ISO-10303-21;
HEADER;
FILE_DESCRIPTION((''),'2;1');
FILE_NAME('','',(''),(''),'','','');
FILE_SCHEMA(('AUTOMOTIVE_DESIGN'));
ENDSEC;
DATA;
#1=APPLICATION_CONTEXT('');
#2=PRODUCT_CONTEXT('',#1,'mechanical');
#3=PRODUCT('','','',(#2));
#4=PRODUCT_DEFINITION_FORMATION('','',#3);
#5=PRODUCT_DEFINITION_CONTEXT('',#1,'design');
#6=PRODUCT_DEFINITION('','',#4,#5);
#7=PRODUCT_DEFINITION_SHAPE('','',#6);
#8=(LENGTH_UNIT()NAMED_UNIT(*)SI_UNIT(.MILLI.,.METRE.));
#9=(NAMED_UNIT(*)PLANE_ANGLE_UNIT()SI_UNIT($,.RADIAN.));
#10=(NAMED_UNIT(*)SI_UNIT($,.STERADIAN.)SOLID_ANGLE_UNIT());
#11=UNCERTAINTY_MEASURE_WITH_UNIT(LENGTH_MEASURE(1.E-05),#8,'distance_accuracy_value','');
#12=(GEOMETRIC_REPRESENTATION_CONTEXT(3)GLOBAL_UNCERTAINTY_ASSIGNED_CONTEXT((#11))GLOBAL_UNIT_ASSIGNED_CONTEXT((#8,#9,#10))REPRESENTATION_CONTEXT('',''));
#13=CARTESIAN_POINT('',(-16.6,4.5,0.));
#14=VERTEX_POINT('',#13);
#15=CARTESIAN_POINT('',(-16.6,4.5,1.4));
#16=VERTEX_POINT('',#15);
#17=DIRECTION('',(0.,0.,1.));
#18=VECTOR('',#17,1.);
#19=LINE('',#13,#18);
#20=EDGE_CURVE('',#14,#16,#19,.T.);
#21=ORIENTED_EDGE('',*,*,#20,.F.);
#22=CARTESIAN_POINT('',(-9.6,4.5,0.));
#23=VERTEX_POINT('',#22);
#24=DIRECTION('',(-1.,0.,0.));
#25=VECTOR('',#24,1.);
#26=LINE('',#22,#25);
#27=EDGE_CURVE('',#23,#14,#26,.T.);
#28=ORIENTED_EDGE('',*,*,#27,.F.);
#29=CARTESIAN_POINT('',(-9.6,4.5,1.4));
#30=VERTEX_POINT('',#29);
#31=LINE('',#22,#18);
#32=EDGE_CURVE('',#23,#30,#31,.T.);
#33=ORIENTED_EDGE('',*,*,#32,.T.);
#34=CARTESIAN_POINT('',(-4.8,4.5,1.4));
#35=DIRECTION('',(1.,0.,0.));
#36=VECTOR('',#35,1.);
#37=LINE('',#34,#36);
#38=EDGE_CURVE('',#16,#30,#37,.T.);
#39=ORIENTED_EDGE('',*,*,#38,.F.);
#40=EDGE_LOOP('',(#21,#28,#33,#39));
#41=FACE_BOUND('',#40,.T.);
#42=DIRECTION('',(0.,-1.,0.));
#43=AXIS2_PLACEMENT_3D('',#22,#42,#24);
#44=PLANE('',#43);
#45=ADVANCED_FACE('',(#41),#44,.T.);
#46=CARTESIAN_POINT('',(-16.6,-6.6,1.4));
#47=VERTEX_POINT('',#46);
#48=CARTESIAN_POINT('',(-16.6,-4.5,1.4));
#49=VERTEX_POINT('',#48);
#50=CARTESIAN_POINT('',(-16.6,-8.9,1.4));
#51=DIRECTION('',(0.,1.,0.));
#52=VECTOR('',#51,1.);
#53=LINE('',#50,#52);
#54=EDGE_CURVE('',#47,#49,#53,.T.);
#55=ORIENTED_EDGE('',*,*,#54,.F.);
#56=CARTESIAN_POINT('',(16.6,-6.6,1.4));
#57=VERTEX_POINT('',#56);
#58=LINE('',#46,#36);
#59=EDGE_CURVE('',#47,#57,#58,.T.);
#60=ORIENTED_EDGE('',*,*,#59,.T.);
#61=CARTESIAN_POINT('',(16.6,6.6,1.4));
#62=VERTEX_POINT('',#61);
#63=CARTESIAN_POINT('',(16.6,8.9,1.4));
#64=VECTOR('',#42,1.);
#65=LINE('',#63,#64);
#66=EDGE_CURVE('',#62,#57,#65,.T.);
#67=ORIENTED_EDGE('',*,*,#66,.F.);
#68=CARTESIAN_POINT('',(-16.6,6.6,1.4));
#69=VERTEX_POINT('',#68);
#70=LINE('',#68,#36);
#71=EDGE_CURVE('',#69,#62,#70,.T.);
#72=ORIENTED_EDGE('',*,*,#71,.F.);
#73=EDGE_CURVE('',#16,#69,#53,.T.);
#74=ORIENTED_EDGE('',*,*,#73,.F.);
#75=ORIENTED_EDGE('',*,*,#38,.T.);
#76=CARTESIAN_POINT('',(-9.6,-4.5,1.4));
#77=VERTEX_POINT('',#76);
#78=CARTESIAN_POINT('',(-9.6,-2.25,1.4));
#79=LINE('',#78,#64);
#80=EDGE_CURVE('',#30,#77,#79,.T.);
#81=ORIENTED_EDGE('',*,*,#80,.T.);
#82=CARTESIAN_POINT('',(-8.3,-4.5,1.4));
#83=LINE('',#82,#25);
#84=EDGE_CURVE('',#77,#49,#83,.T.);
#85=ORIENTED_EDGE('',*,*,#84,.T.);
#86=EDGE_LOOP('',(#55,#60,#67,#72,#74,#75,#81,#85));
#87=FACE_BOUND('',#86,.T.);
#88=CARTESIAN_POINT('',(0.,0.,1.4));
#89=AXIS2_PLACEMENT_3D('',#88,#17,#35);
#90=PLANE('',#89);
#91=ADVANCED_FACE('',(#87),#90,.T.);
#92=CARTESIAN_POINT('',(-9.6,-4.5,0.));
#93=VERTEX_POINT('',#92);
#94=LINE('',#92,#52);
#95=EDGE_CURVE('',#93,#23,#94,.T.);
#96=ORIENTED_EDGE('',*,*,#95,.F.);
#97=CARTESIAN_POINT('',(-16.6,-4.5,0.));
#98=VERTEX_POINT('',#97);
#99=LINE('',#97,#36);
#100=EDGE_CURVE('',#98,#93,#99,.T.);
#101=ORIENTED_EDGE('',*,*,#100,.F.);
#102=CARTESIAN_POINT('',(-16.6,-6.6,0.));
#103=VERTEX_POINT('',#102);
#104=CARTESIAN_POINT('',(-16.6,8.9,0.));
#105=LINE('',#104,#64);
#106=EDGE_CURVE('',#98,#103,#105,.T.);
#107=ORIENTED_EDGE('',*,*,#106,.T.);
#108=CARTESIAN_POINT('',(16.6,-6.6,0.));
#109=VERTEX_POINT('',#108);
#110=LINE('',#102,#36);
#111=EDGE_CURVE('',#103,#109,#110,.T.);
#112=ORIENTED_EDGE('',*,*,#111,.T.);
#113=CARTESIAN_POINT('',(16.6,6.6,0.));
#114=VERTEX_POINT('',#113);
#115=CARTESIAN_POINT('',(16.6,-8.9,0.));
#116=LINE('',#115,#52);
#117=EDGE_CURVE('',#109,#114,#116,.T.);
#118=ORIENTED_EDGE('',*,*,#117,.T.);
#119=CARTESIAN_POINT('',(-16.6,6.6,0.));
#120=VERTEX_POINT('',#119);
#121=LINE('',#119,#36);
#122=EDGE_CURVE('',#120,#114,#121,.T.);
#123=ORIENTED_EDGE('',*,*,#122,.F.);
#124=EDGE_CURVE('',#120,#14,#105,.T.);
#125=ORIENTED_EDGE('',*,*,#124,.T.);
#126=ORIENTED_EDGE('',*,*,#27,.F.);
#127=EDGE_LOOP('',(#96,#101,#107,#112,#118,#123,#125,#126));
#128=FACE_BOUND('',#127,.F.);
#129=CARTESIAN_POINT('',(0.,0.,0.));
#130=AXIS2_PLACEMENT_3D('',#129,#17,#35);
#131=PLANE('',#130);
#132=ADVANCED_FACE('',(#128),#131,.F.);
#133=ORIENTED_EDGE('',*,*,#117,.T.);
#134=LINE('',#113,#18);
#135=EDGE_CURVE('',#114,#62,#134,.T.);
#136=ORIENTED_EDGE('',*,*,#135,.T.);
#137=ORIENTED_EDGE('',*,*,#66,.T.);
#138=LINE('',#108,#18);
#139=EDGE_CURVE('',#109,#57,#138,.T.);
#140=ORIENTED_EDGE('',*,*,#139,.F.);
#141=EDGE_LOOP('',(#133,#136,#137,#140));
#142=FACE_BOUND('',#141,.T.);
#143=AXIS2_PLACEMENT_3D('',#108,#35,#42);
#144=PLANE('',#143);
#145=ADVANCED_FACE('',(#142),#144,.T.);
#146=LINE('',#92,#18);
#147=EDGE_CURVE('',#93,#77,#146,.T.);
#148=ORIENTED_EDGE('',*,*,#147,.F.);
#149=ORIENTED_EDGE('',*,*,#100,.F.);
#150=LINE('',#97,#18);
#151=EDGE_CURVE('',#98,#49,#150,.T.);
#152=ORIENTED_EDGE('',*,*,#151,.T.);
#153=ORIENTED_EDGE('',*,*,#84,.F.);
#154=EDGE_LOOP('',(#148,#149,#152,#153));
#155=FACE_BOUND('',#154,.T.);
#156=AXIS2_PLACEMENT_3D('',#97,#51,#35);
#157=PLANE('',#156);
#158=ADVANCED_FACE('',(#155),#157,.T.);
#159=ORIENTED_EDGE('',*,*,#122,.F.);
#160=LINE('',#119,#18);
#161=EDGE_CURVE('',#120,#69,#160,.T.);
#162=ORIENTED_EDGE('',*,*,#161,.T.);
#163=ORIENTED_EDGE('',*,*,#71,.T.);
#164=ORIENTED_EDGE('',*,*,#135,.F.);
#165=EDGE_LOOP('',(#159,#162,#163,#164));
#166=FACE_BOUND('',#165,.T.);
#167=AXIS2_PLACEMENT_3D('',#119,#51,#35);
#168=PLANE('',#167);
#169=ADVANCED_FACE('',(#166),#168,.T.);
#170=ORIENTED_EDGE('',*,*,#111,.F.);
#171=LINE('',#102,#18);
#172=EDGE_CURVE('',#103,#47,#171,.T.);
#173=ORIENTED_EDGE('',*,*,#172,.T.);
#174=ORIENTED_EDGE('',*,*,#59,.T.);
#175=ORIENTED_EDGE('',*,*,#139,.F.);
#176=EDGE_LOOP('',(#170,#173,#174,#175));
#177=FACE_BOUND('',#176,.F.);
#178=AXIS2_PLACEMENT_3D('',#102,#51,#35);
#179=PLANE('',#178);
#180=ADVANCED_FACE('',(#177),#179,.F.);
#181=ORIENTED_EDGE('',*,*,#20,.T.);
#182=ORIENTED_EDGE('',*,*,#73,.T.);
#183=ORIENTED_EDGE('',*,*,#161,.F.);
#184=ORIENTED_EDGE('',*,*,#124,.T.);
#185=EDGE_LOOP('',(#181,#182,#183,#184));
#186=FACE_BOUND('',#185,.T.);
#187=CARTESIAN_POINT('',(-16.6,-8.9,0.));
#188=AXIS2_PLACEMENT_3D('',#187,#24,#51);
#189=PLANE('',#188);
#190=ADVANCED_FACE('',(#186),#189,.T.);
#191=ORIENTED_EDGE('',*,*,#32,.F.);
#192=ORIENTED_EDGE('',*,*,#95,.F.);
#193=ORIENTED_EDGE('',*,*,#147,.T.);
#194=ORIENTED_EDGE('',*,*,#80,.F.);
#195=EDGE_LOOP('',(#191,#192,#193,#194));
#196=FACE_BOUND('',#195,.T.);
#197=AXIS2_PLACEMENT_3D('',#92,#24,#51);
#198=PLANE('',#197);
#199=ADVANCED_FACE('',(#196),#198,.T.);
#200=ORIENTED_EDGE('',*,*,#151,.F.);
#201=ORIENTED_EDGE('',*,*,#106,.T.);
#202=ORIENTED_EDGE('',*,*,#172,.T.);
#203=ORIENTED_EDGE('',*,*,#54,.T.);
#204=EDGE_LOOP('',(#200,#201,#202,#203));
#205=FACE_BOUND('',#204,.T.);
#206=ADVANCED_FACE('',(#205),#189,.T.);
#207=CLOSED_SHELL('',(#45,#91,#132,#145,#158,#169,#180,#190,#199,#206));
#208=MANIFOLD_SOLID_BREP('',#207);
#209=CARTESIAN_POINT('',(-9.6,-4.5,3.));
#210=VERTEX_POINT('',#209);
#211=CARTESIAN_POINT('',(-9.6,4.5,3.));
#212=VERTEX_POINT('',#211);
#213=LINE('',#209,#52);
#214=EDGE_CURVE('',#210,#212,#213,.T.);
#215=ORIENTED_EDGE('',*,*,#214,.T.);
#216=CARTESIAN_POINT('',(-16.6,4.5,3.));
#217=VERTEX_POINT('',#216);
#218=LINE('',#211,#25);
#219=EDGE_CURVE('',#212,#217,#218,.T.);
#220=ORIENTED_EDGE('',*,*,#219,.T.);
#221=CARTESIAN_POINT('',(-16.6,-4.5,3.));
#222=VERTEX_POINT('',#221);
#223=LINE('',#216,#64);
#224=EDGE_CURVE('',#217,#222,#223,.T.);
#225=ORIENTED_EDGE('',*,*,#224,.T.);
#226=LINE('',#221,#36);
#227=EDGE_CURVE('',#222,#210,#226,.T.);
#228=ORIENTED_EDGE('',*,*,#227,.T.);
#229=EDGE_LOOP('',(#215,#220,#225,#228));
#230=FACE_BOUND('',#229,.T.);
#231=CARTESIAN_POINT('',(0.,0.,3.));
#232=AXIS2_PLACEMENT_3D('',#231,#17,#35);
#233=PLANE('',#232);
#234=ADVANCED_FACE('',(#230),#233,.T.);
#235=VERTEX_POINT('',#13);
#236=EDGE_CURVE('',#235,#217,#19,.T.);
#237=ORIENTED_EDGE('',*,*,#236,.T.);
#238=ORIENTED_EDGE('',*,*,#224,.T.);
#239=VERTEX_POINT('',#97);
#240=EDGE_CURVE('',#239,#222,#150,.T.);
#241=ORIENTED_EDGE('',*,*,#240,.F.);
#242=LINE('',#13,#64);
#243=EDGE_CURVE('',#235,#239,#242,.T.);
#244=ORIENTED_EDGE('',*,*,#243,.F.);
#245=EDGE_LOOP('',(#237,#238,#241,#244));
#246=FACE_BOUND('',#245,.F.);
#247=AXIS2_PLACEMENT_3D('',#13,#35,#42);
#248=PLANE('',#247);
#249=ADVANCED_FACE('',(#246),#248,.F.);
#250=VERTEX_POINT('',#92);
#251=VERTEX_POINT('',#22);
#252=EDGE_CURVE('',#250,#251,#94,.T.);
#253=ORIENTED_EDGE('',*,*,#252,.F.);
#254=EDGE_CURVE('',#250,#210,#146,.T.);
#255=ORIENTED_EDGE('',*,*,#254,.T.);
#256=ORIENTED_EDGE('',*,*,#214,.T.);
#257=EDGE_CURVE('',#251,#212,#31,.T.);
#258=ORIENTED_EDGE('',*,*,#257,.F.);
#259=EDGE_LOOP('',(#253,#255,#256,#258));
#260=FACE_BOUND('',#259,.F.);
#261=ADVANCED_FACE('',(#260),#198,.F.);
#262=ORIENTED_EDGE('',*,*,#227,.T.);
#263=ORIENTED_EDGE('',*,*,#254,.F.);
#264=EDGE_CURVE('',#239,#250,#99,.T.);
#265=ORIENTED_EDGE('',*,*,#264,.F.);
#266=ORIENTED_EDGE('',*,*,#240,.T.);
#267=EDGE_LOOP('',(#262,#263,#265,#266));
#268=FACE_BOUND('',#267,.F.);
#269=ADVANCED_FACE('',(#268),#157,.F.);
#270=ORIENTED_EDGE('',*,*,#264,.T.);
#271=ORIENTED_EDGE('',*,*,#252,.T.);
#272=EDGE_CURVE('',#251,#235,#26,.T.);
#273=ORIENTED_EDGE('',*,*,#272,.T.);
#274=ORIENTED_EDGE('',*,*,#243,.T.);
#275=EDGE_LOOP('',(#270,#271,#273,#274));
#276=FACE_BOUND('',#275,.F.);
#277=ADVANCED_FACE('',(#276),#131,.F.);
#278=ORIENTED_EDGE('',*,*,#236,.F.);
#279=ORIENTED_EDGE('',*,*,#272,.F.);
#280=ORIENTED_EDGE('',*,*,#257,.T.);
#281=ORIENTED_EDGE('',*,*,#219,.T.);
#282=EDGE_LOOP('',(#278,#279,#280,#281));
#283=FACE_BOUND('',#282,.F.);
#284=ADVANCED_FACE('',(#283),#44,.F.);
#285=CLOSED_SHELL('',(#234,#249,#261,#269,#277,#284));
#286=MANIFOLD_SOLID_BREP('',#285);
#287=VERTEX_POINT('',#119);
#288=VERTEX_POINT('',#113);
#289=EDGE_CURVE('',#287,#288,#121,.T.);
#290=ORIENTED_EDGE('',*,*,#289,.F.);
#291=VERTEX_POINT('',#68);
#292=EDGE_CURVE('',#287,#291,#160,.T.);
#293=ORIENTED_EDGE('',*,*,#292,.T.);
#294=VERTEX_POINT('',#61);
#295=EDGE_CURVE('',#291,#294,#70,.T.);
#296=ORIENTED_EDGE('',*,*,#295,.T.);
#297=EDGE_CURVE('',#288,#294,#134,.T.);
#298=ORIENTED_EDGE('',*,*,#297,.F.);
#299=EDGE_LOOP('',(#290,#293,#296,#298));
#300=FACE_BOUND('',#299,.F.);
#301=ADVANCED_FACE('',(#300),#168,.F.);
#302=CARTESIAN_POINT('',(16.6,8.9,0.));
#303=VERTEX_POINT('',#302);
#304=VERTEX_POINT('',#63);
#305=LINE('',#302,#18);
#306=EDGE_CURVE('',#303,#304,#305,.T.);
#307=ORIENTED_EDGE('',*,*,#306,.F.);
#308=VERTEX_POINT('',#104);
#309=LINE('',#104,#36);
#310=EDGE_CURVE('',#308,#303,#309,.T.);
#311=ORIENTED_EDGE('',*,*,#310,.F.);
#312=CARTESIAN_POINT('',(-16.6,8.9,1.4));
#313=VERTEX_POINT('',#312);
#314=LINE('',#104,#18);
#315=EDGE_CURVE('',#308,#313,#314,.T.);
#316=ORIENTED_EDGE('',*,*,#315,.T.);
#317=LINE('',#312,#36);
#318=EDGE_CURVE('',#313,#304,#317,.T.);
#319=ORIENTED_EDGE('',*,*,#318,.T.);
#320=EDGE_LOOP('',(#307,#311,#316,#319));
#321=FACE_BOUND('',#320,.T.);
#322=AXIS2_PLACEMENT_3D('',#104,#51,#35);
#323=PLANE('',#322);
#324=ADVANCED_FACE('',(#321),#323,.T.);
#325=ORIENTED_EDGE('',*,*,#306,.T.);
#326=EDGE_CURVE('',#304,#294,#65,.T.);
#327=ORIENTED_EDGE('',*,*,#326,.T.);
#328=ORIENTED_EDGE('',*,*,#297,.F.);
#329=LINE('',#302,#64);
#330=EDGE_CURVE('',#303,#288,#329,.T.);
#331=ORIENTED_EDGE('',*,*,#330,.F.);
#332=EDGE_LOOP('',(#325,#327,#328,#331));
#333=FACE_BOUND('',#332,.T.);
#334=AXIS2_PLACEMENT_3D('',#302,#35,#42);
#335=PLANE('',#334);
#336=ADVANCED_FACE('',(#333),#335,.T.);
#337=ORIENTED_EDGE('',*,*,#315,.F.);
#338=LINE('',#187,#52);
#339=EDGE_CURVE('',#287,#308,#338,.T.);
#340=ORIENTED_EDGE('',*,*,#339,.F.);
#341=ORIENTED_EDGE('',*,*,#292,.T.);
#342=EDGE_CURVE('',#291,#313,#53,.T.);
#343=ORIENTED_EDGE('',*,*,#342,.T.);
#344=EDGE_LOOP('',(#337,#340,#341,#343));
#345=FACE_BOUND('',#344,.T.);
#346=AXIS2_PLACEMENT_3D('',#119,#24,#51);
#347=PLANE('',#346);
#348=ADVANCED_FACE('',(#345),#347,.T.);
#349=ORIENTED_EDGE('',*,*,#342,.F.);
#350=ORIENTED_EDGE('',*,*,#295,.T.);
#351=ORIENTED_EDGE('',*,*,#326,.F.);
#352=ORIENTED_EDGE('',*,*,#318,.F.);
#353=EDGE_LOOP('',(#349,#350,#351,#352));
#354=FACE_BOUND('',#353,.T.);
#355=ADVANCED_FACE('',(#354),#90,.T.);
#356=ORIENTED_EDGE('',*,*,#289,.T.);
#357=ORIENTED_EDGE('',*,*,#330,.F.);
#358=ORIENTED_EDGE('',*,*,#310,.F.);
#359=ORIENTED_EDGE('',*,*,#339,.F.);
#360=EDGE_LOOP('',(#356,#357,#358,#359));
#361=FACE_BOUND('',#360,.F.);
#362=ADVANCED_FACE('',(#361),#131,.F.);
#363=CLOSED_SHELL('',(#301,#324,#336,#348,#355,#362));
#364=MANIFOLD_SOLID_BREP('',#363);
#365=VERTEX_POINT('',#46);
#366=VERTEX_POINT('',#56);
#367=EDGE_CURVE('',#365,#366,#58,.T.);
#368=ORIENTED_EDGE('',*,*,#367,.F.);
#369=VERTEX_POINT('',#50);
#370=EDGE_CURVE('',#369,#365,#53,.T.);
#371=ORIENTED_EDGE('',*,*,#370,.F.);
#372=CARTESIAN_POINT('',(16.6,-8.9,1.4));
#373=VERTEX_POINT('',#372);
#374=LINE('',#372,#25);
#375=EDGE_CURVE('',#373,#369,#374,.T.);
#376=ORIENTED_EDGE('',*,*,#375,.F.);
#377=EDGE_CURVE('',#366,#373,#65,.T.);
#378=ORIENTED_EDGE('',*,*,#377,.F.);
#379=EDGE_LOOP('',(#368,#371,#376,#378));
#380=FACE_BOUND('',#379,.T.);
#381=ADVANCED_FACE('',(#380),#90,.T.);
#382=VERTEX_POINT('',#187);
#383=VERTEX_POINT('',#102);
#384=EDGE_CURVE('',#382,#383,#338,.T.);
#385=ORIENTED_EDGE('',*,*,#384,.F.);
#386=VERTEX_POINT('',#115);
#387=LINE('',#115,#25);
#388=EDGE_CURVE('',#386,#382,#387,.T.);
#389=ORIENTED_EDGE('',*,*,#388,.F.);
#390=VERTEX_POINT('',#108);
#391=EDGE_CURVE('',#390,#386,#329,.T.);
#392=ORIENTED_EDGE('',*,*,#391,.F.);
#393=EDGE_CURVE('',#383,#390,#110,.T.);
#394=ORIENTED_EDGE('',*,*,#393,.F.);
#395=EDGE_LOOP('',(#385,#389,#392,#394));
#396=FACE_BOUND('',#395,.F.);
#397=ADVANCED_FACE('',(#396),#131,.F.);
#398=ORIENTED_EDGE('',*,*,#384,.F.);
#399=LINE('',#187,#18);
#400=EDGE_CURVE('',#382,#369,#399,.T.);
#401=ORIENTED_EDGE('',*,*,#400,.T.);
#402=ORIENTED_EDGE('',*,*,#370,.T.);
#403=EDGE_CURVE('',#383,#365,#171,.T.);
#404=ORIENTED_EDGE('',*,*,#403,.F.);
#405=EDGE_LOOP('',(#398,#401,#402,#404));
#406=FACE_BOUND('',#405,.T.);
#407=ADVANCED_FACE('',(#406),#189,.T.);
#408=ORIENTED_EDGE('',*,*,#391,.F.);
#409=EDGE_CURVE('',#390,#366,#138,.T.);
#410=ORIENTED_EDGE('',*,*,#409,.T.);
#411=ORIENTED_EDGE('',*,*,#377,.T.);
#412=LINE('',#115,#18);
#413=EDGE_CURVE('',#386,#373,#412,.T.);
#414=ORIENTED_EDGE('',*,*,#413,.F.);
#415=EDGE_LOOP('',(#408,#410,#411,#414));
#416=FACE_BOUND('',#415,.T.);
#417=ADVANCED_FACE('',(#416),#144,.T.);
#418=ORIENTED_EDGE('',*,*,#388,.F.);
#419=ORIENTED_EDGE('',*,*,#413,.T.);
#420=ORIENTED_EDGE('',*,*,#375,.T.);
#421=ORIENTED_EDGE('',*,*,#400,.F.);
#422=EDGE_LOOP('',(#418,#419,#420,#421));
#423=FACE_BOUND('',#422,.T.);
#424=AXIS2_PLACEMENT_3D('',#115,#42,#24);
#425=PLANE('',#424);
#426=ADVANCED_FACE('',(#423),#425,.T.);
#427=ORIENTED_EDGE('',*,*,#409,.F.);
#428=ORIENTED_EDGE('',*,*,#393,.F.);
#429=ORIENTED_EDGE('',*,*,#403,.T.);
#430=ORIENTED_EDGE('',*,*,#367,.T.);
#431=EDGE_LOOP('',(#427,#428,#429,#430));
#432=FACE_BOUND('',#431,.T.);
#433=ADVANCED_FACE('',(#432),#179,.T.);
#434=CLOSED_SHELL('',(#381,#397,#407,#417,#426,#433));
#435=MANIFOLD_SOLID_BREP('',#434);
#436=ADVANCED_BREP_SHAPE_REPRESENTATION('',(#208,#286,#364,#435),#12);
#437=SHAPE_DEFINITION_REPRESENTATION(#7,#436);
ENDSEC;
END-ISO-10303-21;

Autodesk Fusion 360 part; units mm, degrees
sketch "pcb" plane through (0, 0, 0) normal (0, 0, 1) x (1, 0, 0)
  line L0 (16.6, -8.9) -> (-16.6, -8.9)
  line L1 (-16.6, -8.9) -> (-16.6, 8.9)
  line L2 (-16.6, 8.9) -> (16.6, 8.9)
  line L3 (16.6, 8.9) -> (16.6, -8.9)
  line L4 (16.6, -8.9) -> (-16.6, 8.9) construction
  line L5 (-16.6, -8.9) -> (16.6, 8.9) construction
  line L6 (-16.6, -6.6) -> (16.6, -6.6)
  line L7 (-16.6, 6.6) -> (16.6, 6.6)
  dimension "d7" = 33.2
  dimension "d8" = 17.8
  dimension "d18" = 2.3
  dimension "d20" = 2.3
extrude "Extrude1" add sketch "pcb" along normal blind 1.4 makes body 1
sketch "usb" plane through (0, 0, 0) normal (0, 0, 1) x (1, 0, 0)
  line L0 (-16.6, -4.5) -> (-9.6, -4.5)
  line L1 (-9.6, -4.5) -> (-9.6, 4.5)
  line L2 (-9.6, 4.5) -> (-16.6, 4.5)
  line L3 (-16.6, 4.5) -> (-16.6, -4.5)
  line L4 (-16.6, 8.9) -> (-16.6, -8.9)
  dimension "d11" = 7
  dimension "d12" = 9
  dimension "d13" = 4.4
extrude "Extrude2" cut sketch "usb" along normal blind 3 bodies 1
extrude "Extrude3" add sketch "usb" along normal blind 3 separate body makes body 2
extrude "Extrude4" add sketch "pcb" along normal blind 1.4 separate body contours L0 L1 L3 L6 makes body 3
extrude "Extrude5" cut sketch "pcb" along normal blind 1.4 contours L1 L2 L3 L7 bodies 1
extrude "Extrude6" add sketch "pcb" along normal blind 1.4 separate body contours L1 L2 L3 L7 makes body 4
extrude "Extrude7" cut sketch "pcb" along normal blind 1.4 contours L0 L1 L3 L6 bodies 1
copy_body "Body->Comp1" bodies 1 removing the originals makes body 5 in component "nice!nano v1.0"
copy_body "CutPasteBodies4" bodies 2 removing the originals makes body 6 in component "nice!nano v1.0"
copy_body "CutPasteBodies5" bodies 4 removing the originals makes body 7 in component "nice!nano v1.0"
copy_body "CutPasteBodies6" bodies 3 removing the originals makes body 8 in component "nice!nano v1.0"
component "nice!nano v1.0" placed x (1, 0, 0) y (0, 1, 0) z (0, 0, 1) at (0, 0, 0)
equation "length = 33.2 mm"
equation "width = 17.8 mm"
equation "height = 1.4 mm"
equation "usbWidth = 9 mm"
equation "usbHeight = 3 mm"
equation "usbDepth = 7 mm"
equation "d7 = length"
equation "d8 = width"
equation "d9 = height"
equation "d11 = usbDepth"
equation "d12 = usbWidth"
equation "d13 = ( width - usbWidth ) / 2"
equation "d14 = usbHeight"
equation "d16 = usbHeight"
equation "d18 = headerWidth"
equation "headerWidth = 2.3 mm"
equation "d20 = headerWidth"
equation "d21 = height"
equation "d23 = height"
equation "d25 = height"
equation "d27 = height"
